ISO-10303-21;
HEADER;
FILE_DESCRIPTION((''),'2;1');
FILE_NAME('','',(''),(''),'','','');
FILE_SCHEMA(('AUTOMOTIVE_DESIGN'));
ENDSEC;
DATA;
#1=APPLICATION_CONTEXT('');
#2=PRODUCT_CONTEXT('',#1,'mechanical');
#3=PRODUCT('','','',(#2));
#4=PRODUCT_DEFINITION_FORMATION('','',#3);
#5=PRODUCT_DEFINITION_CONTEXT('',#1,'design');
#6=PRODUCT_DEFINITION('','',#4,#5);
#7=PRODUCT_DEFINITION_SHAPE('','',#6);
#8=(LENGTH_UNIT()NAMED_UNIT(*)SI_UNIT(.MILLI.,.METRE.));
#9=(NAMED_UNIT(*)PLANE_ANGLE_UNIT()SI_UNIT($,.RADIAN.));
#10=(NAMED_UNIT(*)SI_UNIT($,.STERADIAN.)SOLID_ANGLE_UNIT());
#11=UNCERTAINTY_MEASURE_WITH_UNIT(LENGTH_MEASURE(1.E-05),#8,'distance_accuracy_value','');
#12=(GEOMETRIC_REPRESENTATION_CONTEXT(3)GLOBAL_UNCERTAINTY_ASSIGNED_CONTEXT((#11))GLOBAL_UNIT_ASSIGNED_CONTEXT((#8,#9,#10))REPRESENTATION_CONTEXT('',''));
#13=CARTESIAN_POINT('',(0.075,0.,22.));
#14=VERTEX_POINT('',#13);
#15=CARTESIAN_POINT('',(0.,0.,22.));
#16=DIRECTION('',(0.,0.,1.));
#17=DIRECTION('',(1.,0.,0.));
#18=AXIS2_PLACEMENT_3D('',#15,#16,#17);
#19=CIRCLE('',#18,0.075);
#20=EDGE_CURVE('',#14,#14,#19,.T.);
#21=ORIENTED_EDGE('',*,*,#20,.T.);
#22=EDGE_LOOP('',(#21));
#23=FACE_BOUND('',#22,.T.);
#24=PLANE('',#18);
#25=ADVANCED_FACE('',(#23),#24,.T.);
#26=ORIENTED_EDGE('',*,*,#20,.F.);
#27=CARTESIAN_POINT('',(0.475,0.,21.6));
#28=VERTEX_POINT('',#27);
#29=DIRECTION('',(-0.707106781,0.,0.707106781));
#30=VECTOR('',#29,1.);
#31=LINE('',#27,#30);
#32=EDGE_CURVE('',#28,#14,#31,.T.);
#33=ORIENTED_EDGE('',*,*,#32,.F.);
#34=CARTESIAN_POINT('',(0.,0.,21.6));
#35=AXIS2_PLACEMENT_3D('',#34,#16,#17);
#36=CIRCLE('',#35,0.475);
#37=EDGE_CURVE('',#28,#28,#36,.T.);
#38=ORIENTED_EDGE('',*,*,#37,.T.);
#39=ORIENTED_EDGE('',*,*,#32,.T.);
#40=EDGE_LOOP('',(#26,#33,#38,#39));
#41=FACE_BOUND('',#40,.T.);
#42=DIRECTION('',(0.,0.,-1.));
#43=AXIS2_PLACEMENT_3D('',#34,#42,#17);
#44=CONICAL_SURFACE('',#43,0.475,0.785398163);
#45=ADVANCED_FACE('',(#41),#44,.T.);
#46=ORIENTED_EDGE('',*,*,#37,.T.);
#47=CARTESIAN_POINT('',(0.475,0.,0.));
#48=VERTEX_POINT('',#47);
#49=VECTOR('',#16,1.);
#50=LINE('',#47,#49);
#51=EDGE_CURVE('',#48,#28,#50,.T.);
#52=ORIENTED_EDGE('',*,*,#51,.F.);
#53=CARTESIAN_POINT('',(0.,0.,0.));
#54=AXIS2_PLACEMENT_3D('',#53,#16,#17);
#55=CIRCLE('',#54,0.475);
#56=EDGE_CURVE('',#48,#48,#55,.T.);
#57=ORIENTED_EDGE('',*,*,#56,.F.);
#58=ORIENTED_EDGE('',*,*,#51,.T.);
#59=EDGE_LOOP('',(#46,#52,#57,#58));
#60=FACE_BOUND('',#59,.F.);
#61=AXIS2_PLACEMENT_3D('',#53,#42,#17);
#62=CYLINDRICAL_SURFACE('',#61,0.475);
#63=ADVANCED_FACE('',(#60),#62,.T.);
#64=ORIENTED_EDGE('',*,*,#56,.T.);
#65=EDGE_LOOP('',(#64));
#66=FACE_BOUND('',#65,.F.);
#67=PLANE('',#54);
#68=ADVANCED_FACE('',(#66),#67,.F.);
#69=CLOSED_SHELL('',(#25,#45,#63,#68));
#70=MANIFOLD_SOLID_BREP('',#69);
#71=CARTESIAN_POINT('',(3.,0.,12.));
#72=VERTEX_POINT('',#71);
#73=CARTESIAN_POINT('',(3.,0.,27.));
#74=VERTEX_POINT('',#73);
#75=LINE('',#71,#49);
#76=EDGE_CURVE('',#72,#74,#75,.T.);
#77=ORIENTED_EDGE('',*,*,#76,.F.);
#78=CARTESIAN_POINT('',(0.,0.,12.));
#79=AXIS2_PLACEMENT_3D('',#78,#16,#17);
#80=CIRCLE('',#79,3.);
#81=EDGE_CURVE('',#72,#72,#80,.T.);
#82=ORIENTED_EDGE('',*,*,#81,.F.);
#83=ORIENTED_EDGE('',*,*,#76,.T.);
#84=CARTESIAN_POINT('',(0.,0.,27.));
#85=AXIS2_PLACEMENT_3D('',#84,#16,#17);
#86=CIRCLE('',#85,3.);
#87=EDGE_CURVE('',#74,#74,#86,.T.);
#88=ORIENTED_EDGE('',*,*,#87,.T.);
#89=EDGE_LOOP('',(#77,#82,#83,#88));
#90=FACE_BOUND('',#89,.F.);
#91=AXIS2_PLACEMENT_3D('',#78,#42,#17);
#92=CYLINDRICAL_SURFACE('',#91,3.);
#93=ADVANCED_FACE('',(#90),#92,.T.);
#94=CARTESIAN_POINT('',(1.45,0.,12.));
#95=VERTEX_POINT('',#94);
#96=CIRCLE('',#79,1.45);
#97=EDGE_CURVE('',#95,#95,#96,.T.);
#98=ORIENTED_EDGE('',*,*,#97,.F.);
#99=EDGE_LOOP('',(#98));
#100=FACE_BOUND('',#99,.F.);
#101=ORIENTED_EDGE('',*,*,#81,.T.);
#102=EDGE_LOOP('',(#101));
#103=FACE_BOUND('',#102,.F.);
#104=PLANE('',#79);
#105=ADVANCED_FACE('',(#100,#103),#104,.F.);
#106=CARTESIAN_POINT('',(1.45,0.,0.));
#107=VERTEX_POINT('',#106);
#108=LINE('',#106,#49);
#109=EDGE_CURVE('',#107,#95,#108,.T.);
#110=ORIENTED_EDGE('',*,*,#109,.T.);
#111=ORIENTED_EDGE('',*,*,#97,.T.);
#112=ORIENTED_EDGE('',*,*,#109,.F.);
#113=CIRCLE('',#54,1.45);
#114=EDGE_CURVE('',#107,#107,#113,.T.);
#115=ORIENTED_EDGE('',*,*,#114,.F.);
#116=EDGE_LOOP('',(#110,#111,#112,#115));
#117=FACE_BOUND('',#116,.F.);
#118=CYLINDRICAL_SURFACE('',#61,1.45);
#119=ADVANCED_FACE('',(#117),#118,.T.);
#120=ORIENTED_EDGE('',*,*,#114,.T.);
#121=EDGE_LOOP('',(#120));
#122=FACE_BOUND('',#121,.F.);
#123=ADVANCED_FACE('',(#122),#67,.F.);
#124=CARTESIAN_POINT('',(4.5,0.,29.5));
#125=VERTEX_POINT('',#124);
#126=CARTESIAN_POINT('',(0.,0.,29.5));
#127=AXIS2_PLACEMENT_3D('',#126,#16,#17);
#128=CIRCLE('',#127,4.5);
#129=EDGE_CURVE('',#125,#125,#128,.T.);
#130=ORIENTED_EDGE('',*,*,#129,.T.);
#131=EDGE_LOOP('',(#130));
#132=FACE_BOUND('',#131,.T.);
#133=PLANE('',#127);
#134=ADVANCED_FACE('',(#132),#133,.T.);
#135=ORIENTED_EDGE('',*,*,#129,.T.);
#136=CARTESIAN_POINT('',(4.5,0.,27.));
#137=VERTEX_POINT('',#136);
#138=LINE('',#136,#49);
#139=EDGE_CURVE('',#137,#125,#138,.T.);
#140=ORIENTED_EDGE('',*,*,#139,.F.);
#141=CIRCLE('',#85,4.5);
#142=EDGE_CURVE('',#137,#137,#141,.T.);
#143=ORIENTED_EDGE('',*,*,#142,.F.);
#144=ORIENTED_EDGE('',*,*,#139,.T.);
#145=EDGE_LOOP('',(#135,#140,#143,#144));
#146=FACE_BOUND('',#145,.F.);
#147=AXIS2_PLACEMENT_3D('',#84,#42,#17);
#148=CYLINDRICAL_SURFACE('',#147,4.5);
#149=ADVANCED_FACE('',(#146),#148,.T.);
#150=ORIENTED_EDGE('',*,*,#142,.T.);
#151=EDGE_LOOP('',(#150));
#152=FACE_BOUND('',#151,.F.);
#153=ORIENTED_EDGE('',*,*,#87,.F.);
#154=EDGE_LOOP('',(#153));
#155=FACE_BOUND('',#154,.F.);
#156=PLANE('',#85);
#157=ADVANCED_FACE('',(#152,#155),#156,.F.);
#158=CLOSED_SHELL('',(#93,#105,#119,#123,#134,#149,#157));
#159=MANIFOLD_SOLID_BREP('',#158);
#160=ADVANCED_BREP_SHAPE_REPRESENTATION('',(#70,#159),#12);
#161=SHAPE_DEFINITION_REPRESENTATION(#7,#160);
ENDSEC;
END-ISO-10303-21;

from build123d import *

# Parameters (mm, degrees)
F0_R     = 1.45
F1_DEPTH = 12
F2_R     = 3
F3_DEPTH = 15
F4_R     = 4.5
F5_DEPTH = 2.5
F6_R     = 0.475
F7_DEPTH = 22
F8_SIZE  = 0.4


with BuildPart() as f1:
    # F0 (on Top) → F1 (new body)
    with BuildSketch(Plane.XY):
        Circle(F0_R)
    extrude(amount=F1_DEPTH)

    # F2 (on face) → F3 (join)
    with BuildSketch(Plane.XY.offset(12)):
        Circle(F2_R)
    extrude(amount=F3_DEPTH)

    # F4 (on face) → F5 (join)
    with BuildSketch(Plane.XY.offset(27)):
        Circle(F4_R)
    extrude(amount=F5_DEPTH)


with BuildPart() as f7:
    # F6 (on Top) → F7 (new body)
    with BuildSketch(Plane.XY):
        Circle(F6_R)
    extrude(amount=F7_DEPTH)

    # F8
    f8_edges = [f7.edges().sort_by_distance(p)[0] for p in [
        (-0.475, 0, 22),
    ]]
    chamfer(f8_edges, length=F8_SIZE)


solid = Compound([f1.part, f7.part])
